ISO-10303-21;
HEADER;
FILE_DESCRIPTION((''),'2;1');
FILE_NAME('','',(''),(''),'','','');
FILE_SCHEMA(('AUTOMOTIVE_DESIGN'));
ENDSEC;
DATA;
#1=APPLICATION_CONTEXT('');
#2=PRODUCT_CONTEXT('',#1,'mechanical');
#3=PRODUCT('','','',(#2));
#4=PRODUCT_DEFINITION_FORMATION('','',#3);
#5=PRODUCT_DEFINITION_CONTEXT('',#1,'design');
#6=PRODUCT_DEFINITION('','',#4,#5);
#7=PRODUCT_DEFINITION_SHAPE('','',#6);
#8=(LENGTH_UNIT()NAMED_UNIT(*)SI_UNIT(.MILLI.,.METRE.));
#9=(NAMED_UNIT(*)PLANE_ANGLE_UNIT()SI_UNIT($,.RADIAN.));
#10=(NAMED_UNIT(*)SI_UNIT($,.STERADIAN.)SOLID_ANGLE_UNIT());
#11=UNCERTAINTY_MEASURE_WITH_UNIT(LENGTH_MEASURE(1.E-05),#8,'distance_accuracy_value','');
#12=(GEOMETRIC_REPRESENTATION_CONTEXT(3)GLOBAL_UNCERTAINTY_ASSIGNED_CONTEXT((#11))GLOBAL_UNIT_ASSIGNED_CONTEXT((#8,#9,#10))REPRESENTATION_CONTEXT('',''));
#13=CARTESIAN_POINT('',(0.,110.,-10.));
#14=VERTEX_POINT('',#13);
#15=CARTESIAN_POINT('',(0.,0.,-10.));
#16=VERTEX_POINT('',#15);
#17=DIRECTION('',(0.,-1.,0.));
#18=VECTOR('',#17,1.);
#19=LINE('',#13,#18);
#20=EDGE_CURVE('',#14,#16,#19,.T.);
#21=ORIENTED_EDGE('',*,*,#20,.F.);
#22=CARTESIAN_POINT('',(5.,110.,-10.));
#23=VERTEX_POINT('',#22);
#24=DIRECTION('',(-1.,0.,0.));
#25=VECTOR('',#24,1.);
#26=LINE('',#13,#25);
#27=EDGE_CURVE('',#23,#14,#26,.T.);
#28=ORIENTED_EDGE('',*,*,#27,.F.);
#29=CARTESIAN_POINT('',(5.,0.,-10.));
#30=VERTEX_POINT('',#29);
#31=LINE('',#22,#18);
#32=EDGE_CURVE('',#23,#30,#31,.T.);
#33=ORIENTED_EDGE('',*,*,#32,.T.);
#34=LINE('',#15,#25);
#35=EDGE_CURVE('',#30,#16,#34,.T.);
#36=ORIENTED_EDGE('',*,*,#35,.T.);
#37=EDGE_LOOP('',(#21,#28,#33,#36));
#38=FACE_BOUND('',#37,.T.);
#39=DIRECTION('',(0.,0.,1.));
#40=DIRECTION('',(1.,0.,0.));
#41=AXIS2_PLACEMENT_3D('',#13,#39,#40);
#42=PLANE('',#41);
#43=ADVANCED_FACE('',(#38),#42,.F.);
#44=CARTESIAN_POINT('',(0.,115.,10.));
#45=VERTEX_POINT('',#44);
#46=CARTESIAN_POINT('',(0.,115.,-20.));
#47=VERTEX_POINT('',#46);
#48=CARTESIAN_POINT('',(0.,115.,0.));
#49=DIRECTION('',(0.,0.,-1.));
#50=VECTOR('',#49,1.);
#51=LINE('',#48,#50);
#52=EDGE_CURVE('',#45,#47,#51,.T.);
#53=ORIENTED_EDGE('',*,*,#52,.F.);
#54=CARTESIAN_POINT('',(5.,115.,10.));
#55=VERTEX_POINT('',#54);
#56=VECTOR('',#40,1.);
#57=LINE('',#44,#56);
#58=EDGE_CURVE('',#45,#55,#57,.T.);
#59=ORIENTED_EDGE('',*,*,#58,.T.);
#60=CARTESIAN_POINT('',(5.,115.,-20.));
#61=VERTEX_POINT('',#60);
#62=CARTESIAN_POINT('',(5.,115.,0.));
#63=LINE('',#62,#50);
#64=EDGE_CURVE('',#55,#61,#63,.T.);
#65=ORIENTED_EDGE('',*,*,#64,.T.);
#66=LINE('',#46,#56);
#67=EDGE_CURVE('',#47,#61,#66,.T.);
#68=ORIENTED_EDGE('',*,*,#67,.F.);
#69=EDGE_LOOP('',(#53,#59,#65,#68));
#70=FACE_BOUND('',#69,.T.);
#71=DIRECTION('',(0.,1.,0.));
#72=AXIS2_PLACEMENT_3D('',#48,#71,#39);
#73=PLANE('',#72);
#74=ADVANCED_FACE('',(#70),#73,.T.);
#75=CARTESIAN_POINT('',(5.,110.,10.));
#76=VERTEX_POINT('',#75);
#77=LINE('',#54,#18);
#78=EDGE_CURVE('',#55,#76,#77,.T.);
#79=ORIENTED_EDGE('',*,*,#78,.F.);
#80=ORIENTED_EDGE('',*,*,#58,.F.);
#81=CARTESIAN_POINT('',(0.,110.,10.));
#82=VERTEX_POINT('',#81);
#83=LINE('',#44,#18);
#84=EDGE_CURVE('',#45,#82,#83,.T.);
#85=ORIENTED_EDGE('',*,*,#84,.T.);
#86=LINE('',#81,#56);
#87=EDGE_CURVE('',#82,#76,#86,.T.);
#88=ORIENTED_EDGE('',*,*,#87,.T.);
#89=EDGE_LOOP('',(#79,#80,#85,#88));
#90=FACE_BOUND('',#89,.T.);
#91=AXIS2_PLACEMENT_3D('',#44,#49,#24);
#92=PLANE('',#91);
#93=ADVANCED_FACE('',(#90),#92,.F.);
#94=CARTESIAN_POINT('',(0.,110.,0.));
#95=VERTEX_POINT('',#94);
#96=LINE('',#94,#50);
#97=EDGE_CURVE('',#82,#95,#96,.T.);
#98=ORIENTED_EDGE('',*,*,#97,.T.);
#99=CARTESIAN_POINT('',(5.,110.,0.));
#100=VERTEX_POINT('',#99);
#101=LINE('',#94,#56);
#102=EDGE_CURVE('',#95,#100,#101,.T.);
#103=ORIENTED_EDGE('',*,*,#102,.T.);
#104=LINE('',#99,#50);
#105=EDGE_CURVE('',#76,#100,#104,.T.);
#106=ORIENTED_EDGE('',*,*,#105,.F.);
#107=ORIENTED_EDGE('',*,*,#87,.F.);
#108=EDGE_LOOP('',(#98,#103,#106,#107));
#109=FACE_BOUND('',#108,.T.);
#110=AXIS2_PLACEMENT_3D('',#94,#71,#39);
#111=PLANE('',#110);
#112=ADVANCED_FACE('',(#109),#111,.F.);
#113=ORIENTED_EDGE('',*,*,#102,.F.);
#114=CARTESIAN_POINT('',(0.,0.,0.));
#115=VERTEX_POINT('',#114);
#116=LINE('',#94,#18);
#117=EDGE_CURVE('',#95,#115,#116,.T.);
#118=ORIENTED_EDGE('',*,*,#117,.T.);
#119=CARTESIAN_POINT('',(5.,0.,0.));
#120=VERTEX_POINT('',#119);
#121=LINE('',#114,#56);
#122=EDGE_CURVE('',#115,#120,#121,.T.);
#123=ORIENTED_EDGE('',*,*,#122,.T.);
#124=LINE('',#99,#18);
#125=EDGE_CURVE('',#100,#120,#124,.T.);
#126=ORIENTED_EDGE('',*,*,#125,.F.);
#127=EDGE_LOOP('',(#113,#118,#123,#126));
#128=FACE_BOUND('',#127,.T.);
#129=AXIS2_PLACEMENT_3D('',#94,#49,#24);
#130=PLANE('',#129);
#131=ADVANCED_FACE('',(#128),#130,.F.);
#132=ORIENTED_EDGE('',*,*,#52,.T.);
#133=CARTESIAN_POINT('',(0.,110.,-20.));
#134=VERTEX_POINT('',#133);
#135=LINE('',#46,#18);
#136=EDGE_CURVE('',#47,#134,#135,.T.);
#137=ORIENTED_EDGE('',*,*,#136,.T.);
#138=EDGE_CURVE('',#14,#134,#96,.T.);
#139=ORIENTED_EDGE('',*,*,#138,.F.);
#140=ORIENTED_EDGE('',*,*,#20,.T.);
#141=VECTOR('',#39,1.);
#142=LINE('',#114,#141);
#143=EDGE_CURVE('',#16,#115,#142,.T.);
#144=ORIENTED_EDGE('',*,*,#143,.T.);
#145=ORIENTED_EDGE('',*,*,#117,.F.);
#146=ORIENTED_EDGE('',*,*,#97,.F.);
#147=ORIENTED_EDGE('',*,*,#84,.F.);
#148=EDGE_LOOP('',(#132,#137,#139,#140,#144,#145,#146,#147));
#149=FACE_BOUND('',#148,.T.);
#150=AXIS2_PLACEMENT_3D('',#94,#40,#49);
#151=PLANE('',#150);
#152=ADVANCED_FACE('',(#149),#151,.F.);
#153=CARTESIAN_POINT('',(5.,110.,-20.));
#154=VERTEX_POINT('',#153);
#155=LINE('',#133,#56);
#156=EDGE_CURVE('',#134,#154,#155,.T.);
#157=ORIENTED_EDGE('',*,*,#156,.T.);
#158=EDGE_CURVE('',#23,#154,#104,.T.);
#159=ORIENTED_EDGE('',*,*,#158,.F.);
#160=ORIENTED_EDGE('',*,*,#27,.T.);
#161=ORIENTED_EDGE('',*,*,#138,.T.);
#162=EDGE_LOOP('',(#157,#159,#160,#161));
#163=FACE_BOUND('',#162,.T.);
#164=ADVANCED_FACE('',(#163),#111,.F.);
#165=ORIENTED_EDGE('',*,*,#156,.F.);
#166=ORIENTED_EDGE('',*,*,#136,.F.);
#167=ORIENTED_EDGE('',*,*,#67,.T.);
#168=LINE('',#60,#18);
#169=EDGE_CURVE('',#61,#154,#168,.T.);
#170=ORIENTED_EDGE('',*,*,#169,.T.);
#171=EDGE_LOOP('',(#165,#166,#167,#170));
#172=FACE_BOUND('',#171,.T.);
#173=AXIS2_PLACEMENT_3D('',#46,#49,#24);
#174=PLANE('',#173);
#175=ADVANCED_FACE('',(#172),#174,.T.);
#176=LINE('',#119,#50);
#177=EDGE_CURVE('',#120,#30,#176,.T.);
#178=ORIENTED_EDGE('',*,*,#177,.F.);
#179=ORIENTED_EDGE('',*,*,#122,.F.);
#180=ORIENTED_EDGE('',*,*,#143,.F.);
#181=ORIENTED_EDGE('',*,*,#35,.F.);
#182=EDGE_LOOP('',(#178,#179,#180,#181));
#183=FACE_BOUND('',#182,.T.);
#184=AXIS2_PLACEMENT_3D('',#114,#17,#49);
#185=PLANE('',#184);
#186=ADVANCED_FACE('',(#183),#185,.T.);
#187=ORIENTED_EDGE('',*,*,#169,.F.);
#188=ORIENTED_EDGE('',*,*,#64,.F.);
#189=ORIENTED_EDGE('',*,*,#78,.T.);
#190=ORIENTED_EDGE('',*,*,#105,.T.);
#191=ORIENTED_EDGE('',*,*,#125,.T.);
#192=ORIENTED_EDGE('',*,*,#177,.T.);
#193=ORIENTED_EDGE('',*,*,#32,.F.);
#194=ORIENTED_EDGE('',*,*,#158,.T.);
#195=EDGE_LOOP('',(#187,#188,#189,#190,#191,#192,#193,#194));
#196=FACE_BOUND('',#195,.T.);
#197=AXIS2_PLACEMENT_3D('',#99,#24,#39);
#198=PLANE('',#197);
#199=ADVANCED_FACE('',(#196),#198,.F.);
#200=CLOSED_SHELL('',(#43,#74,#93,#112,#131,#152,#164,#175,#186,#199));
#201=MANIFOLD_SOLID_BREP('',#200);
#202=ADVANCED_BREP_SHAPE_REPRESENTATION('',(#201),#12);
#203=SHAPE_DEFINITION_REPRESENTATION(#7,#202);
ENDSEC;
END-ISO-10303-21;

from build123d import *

# Parameters (mm, degrees)
SKETCH_1_W      = 5
SKETCH_1_H      = 10
EXTRUDE_1_DEPTH = 110
SKETCH_2_W      = 5
SKETCH_2_H      = 10
EXTRUDE_2_DEPTH = 5


with BuildPart() as part:
    # 草图1 → 凸台-拉伸1 (new body)
    with BuildSketch(Plane(origin=(0, 0, 0), x_dir=(1, 0, 0), z_dir=(0, 1, 0))):
        with Locations((2.5, 5)):
            Rectangle(SKETCH_1_W, SKETCH_1_H)
    extrude(amount=EXTRUDE_1_DEPTH)

    # 草图2 → 凸台-拉伸2 (add)
    with BuildSketch(Plane(origin=(0, 110, 0), x_dir=(1, 0, 0), z_dir=(0, 1, 0))):
        with Locations((2.5, 15)):
            Rectangle(SKETCH_2_W, SKETCH_2_H)
        with Locations((2.5, 5)):
            Rectangle(SKETCH_2_W, SKETCH_2_H)
        with Locations((2.5, -5)):
            Rectangle(SKETCH_2_W, SKETCH_2_H)
    extrude(amount=EXTRUDE_2_DEPTH)


solid = part.part
